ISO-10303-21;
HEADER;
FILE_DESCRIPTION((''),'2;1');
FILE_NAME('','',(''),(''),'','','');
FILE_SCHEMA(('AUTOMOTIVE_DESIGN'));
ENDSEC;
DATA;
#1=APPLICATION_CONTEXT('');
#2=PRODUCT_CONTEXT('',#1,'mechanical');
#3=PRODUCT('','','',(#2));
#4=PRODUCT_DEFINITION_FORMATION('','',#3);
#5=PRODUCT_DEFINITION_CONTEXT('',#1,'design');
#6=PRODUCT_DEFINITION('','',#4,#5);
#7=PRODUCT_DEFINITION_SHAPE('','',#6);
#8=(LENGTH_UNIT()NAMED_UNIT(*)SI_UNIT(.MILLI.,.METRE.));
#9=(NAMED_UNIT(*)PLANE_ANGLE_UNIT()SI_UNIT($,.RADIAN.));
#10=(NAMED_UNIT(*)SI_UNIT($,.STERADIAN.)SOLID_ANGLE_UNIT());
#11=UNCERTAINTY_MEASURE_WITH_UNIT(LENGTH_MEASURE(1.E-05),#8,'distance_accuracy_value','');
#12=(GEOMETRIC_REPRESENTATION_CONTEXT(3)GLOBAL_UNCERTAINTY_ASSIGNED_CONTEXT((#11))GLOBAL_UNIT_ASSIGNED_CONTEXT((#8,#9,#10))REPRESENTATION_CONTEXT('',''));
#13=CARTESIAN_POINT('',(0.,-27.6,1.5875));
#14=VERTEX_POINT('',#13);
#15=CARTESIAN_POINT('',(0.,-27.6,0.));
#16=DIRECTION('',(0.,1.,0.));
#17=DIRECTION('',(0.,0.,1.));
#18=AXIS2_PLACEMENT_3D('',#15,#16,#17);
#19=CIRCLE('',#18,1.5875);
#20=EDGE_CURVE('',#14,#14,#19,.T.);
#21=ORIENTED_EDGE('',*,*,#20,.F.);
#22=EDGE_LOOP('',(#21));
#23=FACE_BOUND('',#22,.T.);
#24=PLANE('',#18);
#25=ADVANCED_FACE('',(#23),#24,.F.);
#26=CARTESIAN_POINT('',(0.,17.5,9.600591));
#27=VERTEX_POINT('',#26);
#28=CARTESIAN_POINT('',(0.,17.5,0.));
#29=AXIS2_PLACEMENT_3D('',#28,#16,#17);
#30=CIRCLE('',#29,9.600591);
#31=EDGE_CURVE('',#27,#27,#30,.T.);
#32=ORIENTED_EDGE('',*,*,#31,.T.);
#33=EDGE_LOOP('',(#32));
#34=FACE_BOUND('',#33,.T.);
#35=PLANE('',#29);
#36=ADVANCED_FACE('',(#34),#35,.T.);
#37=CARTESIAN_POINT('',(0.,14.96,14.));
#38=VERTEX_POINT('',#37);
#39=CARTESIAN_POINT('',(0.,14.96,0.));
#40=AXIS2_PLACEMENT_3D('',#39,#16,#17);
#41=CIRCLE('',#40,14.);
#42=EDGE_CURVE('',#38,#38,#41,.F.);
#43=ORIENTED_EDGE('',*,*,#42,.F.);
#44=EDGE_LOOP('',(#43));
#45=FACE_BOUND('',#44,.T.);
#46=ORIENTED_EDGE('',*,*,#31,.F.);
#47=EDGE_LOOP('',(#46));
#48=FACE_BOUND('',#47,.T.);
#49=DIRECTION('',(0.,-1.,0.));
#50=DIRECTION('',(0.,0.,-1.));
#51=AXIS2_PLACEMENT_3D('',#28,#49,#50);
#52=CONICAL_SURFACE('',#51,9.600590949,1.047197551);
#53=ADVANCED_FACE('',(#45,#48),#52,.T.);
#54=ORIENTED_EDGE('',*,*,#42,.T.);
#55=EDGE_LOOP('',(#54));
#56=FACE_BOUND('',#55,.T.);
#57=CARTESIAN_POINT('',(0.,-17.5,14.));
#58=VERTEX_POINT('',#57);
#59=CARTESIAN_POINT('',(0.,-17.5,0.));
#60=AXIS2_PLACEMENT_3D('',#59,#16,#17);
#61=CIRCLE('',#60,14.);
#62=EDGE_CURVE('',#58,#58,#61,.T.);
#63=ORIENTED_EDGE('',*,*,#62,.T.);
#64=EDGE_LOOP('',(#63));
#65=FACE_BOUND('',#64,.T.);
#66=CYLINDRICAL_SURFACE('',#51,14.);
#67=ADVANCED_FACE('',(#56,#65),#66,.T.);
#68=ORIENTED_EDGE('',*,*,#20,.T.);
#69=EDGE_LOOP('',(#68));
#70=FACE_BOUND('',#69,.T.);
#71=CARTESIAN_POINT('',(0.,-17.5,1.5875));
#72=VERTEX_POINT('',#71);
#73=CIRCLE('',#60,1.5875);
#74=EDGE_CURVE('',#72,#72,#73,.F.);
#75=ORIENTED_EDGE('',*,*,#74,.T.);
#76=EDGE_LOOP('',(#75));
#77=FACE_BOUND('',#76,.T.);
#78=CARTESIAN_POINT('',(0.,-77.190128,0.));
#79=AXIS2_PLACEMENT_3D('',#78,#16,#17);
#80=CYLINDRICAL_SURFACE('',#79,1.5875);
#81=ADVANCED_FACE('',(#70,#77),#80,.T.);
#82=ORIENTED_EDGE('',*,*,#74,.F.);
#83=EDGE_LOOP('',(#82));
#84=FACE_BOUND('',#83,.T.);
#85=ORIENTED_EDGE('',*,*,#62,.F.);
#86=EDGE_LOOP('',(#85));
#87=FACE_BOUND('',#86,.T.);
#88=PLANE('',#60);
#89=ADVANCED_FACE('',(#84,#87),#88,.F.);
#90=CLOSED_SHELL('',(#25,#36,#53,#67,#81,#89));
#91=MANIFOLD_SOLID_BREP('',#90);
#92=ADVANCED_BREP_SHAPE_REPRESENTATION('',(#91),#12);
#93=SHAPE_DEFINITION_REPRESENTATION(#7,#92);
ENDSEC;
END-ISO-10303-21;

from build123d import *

# Parameters (mm, degrees)
SKETCH1_R           = 14
BOSS_EXTRUDE1_DEPTH = 17.5
CHAMFER1_SIZE       = 2.54
CHAMFER1_SIZE2      = 4.399409051
SKETCH2_R           = 1.5875
BOSS_EXTRUDE2_DEPTH = 10.1


with BuildPart() as part:
    # Sketch1 → Boss-Extrude1 (new body, symmetric)
    with BuildSketch(Plane(origin=(0, 0, 0), x_dir=(1, 0, 0), z_dir=(0, 1, 0))):
        Circle(SKETCH1_R)
    extrude(amount=BOSS_EXTRUDE1_DEPTH, both=True)

    # Chamfer1
    chamfer1_edges = [part.edges().sort_by_distance(p)[0] for p in [
        (-14, 17.5, 0),
    ]]
    chamfer1_side = [part.faces().sort_by_distance(p)[0] for p in [
        (-14, 0, 0),
    ]]
    chamfer(chamfer1_edges, length=CHAMFER1_SIZE, length2=CHAMFER1_SIZE2, reference=chamfer1_side[0])

    # Sketch2 → Boss-Extrude2 (add)
    with BuildSketch(Plane.XZ.offset(17.5)):
        Circle(SKETCH2_R)
    extrude(amount=BOSS_EXTRUDE2_DEPTH)


solid = part.part
